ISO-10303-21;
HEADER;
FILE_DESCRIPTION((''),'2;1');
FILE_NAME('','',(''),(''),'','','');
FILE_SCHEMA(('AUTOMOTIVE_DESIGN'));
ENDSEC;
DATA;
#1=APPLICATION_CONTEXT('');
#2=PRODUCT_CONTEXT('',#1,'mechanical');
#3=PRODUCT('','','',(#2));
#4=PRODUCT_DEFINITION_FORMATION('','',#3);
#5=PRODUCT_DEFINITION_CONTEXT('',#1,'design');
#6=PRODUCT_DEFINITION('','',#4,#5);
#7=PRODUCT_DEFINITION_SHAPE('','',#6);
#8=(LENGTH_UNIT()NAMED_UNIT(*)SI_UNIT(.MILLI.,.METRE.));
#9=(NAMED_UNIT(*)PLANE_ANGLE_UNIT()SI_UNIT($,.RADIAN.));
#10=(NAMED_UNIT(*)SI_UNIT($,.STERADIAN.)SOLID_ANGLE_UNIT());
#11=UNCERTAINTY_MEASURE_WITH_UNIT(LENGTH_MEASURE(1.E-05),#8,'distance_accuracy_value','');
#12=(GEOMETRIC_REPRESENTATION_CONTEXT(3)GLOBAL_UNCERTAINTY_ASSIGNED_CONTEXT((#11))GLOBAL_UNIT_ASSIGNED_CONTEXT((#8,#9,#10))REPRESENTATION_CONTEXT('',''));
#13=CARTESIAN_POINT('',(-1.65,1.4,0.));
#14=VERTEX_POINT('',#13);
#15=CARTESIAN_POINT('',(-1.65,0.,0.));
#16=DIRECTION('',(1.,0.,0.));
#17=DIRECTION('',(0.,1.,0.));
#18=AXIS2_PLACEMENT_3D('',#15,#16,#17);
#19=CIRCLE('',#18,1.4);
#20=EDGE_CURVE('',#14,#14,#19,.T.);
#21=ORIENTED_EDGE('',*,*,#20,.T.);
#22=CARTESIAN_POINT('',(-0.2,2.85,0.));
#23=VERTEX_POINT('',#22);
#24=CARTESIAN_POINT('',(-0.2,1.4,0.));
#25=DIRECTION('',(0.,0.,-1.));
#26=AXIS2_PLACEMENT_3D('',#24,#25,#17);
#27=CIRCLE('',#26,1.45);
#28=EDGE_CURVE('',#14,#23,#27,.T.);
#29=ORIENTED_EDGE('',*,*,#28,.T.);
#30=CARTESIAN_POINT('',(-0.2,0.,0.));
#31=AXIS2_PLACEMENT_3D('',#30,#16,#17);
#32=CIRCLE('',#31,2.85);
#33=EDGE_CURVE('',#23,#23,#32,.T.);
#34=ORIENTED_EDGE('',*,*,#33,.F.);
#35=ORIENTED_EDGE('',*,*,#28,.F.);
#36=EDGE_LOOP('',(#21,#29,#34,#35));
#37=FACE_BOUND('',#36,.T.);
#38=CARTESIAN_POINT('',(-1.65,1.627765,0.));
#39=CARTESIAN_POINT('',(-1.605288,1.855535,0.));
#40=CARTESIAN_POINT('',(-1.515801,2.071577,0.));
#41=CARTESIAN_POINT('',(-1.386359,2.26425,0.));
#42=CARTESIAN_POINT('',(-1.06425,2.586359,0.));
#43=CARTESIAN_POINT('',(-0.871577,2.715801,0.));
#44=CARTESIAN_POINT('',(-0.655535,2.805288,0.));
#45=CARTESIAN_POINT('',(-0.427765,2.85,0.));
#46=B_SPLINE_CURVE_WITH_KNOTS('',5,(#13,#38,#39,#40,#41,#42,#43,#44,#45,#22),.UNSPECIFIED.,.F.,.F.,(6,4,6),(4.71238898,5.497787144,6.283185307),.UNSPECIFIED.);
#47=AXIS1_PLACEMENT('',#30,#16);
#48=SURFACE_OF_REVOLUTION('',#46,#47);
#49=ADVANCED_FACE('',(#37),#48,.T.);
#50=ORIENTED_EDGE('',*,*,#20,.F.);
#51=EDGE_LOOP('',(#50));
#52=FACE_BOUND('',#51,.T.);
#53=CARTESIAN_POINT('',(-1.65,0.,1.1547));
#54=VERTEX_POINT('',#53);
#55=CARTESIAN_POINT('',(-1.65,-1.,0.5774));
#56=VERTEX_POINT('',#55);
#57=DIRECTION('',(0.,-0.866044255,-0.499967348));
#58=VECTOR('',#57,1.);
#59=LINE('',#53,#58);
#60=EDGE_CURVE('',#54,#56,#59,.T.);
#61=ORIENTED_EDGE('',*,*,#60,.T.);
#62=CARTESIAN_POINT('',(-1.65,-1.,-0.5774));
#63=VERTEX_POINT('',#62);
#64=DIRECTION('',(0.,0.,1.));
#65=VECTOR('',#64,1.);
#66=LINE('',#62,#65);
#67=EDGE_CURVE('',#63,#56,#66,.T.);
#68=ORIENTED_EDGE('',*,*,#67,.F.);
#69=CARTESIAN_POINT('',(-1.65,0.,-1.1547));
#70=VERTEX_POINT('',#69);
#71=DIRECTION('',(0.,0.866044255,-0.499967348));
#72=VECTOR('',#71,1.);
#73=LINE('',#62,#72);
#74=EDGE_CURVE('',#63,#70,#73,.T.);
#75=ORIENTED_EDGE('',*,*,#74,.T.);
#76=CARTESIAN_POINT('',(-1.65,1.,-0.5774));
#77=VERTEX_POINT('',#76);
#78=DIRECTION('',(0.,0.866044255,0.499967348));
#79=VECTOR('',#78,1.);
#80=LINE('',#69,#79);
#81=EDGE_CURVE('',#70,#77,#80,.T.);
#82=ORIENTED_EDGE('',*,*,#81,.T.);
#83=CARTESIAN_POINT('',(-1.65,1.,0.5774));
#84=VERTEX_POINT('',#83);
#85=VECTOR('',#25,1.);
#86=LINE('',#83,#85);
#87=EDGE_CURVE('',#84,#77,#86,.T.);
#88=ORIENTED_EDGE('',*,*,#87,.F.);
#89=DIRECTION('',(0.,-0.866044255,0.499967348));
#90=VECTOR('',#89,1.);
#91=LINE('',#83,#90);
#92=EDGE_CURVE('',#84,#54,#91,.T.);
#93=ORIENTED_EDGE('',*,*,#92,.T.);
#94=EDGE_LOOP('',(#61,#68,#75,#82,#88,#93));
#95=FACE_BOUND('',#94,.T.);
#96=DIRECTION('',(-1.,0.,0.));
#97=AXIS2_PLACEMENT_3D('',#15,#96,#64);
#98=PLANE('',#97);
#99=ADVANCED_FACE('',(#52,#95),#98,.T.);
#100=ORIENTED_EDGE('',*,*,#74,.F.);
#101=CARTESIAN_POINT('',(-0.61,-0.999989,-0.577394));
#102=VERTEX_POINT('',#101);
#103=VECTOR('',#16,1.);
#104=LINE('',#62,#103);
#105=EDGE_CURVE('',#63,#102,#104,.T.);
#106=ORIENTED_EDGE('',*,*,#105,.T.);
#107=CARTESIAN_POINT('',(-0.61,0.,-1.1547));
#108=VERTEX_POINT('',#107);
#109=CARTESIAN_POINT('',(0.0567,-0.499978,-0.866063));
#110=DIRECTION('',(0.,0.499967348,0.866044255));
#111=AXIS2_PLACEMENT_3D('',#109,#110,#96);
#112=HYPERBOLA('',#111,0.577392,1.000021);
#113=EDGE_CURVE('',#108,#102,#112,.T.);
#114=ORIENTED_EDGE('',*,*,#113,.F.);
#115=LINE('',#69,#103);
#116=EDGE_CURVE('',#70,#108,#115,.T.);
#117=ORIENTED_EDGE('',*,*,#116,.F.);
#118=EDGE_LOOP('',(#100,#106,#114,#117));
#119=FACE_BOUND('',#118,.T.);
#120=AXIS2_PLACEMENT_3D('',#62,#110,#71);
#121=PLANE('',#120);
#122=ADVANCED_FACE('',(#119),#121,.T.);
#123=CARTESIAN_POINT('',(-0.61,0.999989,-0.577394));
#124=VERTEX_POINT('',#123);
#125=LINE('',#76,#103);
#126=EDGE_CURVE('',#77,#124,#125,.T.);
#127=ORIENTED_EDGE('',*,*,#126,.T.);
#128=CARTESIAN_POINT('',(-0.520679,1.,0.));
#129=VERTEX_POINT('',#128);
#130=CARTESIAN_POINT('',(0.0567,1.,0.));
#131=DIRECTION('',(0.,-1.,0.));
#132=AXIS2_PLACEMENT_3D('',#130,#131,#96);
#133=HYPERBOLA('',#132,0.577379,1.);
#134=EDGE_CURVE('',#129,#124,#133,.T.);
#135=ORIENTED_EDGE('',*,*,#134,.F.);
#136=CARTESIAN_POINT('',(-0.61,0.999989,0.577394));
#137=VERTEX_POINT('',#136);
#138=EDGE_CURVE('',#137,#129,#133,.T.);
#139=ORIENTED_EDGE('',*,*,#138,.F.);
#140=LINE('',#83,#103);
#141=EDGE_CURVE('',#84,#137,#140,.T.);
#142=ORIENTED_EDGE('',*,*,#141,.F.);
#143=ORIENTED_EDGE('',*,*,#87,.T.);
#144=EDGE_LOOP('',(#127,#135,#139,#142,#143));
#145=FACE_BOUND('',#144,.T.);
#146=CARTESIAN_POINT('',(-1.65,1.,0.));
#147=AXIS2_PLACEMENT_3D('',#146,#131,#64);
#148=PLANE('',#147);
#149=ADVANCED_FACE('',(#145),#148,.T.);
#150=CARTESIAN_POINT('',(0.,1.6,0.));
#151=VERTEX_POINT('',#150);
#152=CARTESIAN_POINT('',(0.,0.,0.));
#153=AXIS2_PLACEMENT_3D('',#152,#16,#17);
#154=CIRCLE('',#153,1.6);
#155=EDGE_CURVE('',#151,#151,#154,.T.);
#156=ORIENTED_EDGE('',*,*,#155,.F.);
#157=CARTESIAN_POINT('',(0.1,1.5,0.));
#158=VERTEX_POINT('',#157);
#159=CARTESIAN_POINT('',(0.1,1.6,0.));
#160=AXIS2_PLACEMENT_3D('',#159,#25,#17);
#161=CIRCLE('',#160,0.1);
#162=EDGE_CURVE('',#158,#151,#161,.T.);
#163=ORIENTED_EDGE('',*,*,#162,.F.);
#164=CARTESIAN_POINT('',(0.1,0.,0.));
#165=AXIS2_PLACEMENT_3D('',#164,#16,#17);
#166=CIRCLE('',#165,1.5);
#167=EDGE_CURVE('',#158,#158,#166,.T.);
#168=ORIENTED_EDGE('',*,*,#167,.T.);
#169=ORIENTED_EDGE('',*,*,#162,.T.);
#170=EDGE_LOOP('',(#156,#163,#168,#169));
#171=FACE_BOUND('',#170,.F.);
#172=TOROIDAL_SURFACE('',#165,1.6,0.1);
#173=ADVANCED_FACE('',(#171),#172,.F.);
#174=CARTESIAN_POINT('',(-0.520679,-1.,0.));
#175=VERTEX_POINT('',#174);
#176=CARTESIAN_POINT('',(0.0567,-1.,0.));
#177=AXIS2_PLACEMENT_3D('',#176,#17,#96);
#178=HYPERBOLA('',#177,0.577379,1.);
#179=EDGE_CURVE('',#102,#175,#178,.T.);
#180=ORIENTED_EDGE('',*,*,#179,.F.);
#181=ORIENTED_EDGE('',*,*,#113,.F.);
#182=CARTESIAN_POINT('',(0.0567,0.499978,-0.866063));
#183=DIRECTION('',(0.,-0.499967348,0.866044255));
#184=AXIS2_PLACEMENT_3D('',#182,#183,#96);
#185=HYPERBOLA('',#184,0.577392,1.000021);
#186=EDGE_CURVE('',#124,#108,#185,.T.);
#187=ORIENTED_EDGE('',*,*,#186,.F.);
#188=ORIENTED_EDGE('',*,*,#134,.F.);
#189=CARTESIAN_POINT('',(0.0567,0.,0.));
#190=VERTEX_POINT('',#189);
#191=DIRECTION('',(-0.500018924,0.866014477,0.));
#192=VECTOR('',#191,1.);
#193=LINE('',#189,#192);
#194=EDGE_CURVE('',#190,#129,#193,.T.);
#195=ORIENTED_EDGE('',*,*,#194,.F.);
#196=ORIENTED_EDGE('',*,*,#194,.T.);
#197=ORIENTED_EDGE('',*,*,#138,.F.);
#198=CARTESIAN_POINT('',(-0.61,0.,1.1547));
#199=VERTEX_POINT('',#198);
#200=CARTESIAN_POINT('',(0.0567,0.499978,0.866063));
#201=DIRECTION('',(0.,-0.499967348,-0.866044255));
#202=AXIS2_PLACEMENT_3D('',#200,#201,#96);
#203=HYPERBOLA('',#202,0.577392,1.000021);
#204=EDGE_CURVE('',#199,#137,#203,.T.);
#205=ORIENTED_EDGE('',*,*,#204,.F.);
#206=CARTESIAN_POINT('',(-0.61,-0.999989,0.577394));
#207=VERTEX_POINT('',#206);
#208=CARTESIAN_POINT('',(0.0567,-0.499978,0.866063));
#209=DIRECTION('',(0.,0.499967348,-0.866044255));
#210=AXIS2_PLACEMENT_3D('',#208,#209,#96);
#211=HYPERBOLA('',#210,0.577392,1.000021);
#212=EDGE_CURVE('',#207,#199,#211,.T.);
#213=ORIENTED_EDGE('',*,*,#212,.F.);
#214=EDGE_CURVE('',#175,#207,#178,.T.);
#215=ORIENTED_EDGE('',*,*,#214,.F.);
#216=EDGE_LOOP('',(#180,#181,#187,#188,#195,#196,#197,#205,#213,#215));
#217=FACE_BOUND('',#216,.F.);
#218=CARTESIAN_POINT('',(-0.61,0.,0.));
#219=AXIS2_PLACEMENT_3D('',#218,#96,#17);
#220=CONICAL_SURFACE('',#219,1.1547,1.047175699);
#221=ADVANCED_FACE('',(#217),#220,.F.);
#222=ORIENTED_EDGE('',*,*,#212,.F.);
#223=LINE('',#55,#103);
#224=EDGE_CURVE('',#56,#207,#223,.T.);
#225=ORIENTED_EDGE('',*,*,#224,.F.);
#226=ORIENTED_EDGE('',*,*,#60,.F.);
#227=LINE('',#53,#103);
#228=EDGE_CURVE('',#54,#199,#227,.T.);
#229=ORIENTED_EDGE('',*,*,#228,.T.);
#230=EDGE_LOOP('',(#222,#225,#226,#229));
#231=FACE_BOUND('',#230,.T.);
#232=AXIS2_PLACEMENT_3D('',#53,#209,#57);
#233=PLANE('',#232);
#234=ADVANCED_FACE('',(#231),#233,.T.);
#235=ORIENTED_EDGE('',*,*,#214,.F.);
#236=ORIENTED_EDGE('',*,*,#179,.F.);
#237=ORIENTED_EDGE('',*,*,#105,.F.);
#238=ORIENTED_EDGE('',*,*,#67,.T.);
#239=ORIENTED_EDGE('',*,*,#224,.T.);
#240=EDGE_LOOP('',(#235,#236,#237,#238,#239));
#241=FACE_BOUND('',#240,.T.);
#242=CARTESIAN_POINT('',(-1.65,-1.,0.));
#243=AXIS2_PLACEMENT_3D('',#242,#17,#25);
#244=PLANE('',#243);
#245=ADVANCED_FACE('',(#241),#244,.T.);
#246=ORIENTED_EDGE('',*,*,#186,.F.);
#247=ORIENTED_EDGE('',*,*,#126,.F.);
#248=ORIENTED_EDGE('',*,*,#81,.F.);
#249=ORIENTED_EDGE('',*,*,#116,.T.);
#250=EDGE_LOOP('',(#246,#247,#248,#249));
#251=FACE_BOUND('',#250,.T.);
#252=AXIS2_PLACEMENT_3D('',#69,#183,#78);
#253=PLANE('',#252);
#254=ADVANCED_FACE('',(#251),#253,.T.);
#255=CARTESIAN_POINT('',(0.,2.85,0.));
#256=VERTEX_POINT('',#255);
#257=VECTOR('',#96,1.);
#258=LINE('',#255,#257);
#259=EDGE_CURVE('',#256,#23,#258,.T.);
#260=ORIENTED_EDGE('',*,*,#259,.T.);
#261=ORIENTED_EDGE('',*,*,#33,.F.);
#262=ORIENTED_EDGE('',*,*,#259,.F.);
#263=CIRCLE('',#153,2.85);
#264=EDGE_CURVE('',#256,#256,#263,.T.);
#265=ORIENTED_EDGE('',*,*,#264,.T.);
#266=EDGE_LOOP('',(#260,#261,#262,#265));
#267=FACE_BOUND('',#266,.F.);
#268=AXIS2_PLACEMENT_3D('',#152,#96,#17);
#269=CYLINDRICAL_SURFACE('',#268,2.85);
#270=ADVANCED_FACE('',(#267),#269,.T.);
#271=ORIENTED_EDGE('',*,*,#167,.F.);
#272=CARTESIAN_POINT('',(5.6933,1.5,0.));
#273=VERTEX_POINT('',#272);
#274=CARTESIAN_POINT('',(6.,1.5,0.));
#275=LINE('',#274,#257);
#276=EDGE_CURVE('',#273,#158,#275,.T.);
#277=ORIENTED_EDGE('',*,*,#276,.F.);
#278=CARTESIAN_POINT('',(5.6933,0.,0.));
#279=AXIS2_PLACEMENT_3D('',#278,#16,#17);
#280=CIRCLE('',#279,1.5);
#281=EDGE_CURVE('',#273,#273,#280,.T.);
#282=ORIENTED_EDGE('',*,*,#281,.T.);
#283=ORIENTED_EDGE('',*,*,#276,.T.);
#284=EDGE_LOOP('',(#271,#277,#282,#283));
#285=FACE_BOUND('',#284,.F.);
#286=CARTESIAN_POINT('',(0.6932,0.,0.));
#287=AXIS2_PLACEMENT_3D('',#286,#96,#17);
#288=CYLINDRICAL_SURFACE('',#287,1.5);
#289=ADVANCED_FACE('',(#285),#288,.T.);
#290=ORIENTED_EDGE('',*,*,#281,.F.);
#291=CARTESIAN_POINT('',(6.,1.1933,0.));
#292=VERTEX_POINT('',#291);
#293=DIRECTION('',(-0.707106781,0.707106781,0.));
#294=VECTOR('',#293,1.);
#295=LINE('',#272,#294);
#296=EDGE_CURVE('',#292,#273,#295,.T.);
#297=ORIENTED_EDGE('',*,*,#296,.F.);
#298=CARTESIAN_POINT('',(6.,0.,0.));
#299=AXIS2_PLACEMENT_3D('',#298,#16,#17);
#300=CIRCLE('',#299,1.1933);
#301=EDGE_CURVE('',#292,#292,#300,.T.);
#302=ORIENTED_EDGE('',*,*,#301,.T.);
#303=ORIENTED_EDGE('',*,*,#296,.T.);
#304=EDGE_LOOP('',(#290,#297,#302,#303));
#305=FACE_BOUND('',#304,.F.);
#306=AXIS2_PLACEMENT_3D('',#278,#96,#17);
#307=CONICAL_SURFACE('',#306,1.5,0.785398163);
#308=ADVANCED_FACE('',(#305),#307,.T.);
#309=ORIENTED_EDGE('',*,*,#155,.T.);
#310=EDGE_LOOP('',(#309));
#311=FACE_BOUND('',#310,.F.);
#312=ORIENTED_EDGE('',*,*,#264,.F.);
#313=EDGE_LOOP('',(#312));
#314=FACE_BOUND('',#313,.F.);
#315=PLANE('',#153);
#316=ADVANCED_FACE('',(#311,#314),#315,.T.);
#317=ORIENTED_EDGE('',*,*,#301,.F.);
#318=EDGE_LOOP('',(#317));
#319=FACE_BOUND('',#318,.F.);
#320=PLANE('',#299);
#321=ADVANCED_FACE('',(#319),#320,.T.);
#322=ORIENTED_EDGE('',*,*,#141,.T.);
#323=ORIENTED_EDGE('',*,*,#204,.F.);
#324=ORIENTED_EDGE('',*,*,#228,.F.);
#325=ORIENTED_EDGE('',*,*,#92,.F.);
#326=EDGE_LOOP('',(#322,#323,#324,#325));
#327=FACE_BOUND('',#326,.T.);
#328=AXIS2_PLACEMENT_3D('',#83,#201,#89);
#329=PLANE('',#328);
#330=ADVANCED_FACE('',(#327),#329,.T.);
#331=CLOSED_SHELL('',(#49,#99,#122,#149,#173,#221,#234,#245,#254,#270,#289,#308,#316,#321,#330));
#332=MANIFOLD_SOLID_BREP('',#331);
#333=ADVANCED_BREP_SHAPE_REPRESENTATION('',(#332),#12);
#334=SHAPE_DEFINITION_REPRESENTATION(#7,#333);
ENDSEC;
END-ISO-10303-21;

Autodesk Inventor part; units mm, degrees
ref_plane "YZ Plane" through (0, 0, 0) normal (1, 0, 0) x (0, 1, 0)
ref_plane "XZ Plane" through (0, 0, 0) normal (0, 1, 0) x (-1, 0, 0)
sketch "Sketch1" plane through (0, 0, 0) normal (0, 0, 1) x (1, 0, 0)
  line L0 (0.0567, 0) -> (6, 0)
  line L1 (6, 0) -> (6, 1.5)
  line L2 (6, 1.5) -> (1, 1.5)
  line L3 (1, 1.5) -> (0.6932, 1.5)
  line L4 (0.6932, 1.5) -> (0, 1.5)
  line L5 (0, 1.5) -> (0, 2.85)
  line L6 (0, 2.85) -> (-1.65, 2.85)
  line L7 (-1.65, 2.85) -> (-1.65, 1.1547)
  line L8 (-1.65, 1.1547) -> (-0.61, 1.1547)
  line L9 (-0.61, 1.1547) -> (0.0567, 0)
  line L10 (-3.18, 0) -> (7.53, 0) projected
  line L11 (0, -0.57) -> (0, 3.42) projected
  line L12 (1, 1.5) -> (0, 1.5) construction
  dimension "d1" = 5
  dimension "d2" = 0.3068
  dimension "d3" = 1.65
  dimension "d4" = 1.04
  dimension "d5" = 60
  dimension "d6" = 3
  dimension "d7" = 3
  dimension "d8" = 2.3094
  dimension "d9" = 5.7
  dimension "d26" = 6
revolve "Body" add sketch "Sketch1" angle 360 about axis through (0.0567, 0, 0) along (1, 0, 0) contours L9 L11 L4 L3 L2 L1 L0 | L9 L8 L7 L6 L5 L11
sketch "Sketch2" plane through (-1.65, 0, 0) normal (-1, 0, 0) x (0, 0, 1)
  circle A0 centre (0, 0) radius 1.1547 projected
  line L0 (0, -3.99) -> (0, 3.99) projected
  line L1 (-3.99, 0) -> (3.99, 0) projected
  line L2 (1.1547, 0) -> (0.5774, -1)
  line L3 (0.5774, -1) -> (-0.5774, -1)
  line L4 (-0.5774, -1) -> (-1.1547, 0)
  line L5 (-1.1547, 0) -> (-0.5774, 1)
  line L6 (-0.5774, 1) -> (0.5774, 1)
  line L7 (0.5774, 1) -> (1.1547, 0)
extrude "Slot" add sketch "Sketch2" against normal up to next contours L7 A0 | A0 L2 | L6 L0 A0 | A0 L0 L3 | L0 L6 A0 | A0 L3 L0 | L4 A0 | A0 L5
fillet "Fillet1" radius 1.45 1 edges at (-1.65, -2.85, 0)
thread "Thread" size "M3x0.5" designation "M3" class "6g" standard "GB Metric profile" length 5
chamfer "Chamfer1" distance 0.3067 distance2 0.3067 1 edges at (6, -1.5, 0) measured on face at (6, 0.3952, 0.0397)
ref_plane "Work Plane1" through (29, 0, 0) normal (0, -1, 0) x (1, 0, 0)
fillet "Fillet2" radius 0.1 1 edges at (0, -1.5, 0)
equation "\"d1\" = GEL"
equation "\"d3\" = KOH"
equation "\"d4\" = INTI"
equation "\"d6\" = GD"
equation "\"d7\" = BDM"
equation "\"d8\" = 1.1547 * SW"
equation "\"d9\" = KOD"
equation "\"d26\" = NLG"
equation "\"d30\" = R"
equation "\"d17\" = RR"
equation "\"d13\" = GEL"
equation "\"d15\" = -0.5 * SPD + 0.5 * GD"
equation "\"d16\" = GUL"
equation "\"GD\" = 3"
equation "\"NLG\" = 6"
equation "\"GEL\" = 5"
equation "\"KOD\" = 5.7"
equation "\"KOH\" = 1.65"
equation "\"INTI\" = 1.04"
equation "\"GAL\" = 0.61345 * PTC"
equation "\"GUL\" = 0.61345 * PTC"
equation "\"BDM\" = 3"
equation "\"SW\" = 2"
equation "\"RR\" = 1.45"
equation "\"SPD\" = NND - 1.2269 * PTC"
equation "\"R\" = 0.1"
equation "\"TOA\" = 30deg"
equation "\"GD1\" = THREADDIA - 1.2269 * PTC"
equation "\"THREADDIA\" = 3"
equation "\"PTC\" = 0.5"
equation "\"NND\" = 3"
equation "\"KOH1\" = 0.2"
equation "\"E0\" = 2.31"
properties part number "Screw GB/T 70.2 M3 X 6" material "Steel, Mild"
